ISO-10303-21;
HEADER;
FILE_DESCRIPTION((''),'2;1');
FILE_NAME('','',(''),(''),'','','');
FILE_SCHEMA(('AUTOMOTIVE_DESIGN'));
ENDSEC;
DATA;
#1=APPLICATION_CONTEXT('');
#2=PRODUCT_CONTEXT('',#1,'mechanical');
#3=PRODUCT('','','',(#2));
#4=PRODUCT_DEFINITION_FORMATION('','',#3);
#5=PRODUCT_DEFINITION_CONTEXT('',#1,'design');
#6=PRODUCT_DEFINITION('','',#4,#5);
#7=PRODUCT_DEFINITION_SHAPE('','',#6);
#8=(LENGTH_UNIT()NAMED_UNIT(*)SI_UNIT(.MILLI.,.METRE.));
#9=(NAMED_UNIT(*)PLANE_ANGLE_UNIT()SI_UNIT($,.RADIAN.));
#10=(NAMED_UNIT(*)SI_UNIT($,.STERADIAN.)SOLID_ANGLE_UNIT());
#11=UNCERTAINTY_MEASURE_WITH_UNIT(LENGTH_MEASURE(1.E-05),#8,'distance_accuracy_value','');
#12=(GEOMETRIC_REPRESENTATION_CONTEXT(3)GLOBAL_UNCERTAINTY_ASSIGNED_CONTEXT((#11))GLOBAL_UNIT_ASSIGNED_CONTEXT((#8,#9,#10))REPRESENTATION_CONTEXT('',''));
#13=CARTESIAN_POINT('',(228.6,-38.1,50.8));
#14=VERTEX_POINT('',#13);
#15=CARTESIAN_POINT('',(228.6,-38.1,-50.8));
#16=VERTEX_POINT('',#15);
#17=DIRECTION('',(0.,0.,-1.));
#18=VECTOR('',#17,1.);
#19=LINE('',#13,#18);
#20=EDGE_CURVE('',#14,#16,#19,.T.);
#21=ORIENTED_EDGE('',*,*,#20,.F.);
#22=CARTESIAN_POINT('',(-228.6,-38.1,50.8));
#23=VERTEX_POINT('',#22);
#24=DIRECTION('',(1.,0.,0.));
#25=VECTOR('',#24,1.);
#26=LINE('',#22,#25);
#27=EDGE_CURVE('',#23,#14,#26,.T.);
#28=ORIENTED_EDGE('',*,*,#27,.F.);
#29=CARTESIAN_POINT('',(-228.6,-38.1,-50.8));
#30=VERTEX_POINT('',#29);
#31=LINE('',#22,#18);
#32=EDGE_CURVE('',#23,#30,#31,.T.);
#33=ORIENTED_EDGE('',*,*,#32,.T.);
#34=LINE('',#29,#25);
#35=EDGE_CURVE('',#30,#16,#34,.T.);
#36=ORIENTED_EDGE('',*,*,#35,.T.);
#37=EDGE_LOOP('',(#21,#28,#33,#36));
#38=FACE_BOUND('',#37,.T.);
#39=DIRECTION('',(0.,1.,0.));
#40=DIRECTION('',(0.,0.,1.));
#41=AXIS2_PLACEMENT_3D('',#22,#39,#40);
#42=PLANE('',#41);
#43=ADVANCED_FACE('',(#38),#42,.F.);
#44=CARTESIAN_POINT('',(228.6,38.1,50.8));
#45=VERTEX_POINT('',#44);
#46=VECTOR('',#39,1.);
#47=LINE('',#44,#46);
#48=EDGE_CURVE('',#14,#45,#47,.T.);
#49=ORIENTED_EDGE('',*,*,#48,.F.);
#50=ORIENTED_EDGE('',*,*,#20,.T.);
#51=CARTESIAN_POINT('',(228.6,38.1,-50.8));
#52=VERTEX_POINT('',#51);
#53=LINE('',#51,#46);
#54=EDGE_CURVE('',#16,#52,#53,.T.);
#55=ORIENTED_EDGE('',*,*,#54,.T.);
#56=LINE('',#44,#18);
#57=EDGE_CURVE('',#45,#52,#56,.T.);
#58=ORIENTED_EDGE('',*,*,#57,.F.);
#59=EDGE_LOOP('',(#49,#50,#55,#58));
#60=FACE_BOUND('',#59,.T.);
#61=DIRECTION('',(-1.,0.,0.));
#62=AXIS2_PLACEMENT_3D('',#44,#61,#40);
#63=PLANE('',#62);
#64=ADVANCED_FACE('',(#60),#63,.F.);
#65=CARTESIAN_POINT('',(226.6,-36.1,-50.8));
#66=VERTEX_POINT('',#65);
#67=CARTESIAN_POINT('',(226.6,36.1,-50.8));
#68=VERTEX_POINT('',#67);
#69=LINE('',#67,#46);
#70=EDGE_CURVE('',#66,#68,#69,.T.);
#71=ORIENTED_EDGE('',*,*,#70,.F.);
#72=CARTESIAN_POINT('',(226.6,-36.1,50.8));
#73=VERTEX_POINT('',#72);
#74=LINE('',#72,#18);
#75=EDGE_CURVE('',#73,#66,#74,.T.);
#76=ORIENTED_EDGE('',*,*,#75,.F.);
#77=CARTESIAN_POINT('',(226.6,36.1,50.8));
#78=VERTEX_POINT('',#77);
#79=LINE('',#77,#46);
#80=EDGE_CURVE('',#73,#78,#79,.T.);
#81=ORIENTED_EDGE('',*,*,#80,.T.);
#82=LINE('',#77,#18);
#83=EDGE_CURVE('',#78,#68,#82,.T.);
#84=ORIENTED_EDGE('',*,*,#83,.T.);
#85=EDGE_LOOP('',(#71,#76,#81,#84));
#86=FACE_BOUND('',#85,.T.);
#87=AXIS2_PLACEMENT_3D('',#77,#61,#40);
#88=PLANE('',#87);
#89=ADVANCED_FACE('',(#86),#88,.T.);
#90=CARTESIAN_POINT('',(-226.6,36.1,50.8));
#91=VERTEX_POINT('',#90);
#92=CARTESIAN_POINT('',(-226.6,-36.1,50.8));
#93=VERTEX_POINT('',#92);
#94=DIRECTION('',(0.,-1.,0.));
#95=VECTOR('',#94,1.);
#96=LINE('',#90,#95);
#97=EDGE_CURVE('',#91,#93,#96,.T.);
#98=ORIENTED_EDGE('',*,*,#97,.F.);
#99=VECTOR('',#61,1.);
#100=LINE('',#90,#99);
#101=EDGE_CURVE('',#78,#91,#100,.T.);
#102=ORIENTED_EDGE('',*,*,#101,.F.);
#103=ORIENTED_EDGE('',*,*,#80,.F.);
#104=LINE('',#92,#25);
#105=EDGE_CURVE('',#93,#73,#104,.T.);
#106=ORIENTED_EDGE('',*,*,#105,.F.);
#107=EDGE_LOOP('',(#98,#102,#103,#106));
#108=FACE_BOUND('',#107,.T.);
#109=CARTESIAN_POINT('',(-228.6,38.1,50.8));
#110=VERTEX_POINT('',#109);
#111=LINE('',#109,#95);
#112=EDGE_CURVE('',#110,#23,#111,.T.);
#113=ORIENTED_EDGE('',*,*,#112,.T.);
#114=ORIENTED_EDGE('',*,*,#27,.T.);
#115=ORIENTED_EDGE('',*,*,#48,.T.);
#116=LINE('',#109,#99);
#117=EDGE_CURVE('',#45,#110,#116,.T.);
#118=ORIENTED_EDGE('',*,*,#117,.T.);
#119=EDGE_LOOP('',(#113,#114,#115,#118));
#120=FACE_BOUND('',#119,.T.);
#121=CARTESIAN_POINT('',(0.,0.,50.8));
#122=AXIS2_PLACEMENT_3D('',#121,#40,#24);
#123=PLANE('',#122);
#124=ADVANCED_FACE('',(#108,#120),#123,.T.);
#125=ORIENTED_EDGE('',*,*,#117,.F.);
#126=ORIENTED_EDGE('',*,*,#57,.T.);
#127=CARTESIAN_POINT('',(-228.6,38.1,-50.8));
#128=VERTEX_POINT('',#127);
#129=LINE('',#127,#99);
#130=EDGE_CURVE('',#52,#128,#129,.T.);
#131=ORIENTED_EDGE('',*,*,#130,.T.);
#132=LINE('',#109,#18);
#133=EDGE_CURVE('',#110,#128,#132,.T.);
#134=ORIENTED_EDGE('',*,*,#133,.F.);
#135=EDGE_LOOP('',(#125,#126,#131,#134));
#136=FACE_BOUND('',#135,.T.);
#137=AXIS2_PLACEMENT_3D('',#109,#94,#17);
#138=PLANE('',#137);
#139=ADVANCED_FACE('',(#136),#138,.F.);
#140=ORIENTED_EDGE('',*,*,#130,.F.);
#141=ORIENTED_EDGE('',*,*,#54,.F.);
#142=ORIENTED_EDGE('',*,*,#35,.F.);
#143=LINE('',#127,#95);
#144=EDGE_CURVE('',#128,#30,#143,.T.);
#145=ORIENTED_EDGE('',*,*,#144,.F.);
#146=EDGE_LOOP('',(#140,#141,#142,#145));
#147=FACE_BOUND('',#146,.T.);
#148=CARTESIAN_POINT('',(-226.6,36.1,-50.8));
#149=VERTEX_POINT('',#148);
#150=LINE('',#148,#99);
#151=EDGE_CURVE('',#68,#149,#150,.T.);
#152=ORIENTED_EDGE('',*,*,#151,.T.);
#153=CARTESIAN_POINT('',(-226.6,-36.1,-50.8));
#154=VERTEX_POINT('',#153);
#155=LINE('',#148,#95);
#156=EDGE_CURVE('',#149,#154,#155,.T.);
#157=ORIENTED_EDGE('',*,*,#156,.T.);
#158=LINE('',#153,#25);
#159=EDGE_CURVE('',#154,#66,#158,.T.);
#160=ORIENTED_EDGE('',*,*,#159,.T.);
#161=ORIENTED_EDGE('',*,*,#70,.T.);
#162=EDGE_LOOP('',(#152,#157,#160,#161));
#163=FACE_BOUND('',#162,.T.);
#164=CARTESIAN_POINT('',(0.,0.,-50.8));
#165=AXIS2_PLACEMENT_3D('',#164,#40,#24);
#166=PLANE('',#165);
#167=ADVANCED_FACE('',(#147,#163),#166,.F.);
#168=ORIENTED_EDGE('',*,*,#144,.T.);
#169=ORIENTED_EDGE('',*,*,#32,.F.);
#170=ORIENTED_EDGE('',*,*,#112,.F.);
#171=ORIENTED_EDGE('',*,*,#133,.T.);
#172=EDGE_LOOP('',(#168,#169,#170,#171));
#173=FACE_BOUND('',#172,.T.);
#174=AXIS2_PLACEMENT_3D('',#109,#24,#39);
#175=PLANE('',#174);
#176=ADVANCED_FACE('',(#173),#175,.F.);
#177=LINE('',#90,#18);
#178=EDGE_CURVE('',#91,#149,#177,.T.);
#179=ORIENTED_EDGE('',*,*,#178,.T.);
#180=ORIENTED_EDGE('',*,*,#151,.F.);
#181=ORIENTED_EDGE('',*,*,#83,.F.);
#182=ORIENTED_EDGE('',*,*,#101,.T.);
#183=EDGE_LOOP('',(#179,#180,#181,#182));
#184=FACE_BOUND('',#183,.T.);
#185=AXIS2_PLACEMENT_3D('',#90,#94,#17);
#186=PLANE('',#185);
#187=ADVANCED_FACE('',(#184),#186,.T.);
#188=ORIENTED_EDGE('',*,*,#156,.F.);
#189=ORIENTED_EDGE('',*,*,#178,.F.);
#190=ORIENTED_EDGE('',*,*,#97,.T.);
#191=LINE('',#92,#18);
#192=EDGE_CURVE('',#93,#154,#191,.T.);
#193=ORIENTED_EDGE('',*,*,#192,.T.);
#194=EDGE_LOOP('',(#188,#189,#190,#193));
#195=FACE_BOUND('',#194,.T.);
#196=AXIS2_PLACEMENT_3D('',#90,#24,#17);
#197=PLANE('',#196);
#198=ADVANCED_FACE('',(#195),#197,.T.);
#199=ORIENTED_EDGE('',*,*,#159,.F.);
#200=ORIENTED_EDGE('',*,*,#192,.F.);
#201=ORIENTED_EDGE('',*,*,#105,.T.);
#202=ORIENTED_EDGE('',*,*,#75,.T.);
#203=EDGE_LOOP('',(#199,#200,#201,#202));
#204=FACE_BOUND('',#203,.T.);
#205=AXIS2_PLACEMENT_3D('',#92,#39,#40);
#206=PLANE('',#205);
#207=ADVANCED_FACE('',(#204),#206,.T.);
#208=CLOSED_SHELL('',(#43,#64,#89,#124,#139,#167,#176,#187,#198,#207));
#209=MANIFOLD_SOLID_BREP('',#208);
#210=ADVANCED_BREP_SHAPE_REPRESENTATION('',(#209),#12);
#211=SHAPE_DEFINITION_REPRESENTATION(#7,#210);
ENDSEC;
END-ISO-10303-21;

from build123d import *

# Parameters (mm, degrees)
SKETCH_1_W      = 457.2
SKETCH_1_H      = 76.2
SKETCH_1_W_2    = 453.2
SKETCH_1_H_2    = 72.2
EXTRUDE_1_DEPTH = 50.8


with BuildPart() as part:
    # Эскиз1 → Бобышка-Вытянуть1 (new body, symmetric)
    with BuildSketch(Plane.XY):
        Rectangle(SKETCH_1_W, SKETCH_1_H)
        Rectangle(SKETCH_1_W_2, SKETCH_1_H_2, mode=Mode.SUBTRACT)
    extrude(amount=EXTRUDE_1_DEPTH, both=True)


solid = part.part
